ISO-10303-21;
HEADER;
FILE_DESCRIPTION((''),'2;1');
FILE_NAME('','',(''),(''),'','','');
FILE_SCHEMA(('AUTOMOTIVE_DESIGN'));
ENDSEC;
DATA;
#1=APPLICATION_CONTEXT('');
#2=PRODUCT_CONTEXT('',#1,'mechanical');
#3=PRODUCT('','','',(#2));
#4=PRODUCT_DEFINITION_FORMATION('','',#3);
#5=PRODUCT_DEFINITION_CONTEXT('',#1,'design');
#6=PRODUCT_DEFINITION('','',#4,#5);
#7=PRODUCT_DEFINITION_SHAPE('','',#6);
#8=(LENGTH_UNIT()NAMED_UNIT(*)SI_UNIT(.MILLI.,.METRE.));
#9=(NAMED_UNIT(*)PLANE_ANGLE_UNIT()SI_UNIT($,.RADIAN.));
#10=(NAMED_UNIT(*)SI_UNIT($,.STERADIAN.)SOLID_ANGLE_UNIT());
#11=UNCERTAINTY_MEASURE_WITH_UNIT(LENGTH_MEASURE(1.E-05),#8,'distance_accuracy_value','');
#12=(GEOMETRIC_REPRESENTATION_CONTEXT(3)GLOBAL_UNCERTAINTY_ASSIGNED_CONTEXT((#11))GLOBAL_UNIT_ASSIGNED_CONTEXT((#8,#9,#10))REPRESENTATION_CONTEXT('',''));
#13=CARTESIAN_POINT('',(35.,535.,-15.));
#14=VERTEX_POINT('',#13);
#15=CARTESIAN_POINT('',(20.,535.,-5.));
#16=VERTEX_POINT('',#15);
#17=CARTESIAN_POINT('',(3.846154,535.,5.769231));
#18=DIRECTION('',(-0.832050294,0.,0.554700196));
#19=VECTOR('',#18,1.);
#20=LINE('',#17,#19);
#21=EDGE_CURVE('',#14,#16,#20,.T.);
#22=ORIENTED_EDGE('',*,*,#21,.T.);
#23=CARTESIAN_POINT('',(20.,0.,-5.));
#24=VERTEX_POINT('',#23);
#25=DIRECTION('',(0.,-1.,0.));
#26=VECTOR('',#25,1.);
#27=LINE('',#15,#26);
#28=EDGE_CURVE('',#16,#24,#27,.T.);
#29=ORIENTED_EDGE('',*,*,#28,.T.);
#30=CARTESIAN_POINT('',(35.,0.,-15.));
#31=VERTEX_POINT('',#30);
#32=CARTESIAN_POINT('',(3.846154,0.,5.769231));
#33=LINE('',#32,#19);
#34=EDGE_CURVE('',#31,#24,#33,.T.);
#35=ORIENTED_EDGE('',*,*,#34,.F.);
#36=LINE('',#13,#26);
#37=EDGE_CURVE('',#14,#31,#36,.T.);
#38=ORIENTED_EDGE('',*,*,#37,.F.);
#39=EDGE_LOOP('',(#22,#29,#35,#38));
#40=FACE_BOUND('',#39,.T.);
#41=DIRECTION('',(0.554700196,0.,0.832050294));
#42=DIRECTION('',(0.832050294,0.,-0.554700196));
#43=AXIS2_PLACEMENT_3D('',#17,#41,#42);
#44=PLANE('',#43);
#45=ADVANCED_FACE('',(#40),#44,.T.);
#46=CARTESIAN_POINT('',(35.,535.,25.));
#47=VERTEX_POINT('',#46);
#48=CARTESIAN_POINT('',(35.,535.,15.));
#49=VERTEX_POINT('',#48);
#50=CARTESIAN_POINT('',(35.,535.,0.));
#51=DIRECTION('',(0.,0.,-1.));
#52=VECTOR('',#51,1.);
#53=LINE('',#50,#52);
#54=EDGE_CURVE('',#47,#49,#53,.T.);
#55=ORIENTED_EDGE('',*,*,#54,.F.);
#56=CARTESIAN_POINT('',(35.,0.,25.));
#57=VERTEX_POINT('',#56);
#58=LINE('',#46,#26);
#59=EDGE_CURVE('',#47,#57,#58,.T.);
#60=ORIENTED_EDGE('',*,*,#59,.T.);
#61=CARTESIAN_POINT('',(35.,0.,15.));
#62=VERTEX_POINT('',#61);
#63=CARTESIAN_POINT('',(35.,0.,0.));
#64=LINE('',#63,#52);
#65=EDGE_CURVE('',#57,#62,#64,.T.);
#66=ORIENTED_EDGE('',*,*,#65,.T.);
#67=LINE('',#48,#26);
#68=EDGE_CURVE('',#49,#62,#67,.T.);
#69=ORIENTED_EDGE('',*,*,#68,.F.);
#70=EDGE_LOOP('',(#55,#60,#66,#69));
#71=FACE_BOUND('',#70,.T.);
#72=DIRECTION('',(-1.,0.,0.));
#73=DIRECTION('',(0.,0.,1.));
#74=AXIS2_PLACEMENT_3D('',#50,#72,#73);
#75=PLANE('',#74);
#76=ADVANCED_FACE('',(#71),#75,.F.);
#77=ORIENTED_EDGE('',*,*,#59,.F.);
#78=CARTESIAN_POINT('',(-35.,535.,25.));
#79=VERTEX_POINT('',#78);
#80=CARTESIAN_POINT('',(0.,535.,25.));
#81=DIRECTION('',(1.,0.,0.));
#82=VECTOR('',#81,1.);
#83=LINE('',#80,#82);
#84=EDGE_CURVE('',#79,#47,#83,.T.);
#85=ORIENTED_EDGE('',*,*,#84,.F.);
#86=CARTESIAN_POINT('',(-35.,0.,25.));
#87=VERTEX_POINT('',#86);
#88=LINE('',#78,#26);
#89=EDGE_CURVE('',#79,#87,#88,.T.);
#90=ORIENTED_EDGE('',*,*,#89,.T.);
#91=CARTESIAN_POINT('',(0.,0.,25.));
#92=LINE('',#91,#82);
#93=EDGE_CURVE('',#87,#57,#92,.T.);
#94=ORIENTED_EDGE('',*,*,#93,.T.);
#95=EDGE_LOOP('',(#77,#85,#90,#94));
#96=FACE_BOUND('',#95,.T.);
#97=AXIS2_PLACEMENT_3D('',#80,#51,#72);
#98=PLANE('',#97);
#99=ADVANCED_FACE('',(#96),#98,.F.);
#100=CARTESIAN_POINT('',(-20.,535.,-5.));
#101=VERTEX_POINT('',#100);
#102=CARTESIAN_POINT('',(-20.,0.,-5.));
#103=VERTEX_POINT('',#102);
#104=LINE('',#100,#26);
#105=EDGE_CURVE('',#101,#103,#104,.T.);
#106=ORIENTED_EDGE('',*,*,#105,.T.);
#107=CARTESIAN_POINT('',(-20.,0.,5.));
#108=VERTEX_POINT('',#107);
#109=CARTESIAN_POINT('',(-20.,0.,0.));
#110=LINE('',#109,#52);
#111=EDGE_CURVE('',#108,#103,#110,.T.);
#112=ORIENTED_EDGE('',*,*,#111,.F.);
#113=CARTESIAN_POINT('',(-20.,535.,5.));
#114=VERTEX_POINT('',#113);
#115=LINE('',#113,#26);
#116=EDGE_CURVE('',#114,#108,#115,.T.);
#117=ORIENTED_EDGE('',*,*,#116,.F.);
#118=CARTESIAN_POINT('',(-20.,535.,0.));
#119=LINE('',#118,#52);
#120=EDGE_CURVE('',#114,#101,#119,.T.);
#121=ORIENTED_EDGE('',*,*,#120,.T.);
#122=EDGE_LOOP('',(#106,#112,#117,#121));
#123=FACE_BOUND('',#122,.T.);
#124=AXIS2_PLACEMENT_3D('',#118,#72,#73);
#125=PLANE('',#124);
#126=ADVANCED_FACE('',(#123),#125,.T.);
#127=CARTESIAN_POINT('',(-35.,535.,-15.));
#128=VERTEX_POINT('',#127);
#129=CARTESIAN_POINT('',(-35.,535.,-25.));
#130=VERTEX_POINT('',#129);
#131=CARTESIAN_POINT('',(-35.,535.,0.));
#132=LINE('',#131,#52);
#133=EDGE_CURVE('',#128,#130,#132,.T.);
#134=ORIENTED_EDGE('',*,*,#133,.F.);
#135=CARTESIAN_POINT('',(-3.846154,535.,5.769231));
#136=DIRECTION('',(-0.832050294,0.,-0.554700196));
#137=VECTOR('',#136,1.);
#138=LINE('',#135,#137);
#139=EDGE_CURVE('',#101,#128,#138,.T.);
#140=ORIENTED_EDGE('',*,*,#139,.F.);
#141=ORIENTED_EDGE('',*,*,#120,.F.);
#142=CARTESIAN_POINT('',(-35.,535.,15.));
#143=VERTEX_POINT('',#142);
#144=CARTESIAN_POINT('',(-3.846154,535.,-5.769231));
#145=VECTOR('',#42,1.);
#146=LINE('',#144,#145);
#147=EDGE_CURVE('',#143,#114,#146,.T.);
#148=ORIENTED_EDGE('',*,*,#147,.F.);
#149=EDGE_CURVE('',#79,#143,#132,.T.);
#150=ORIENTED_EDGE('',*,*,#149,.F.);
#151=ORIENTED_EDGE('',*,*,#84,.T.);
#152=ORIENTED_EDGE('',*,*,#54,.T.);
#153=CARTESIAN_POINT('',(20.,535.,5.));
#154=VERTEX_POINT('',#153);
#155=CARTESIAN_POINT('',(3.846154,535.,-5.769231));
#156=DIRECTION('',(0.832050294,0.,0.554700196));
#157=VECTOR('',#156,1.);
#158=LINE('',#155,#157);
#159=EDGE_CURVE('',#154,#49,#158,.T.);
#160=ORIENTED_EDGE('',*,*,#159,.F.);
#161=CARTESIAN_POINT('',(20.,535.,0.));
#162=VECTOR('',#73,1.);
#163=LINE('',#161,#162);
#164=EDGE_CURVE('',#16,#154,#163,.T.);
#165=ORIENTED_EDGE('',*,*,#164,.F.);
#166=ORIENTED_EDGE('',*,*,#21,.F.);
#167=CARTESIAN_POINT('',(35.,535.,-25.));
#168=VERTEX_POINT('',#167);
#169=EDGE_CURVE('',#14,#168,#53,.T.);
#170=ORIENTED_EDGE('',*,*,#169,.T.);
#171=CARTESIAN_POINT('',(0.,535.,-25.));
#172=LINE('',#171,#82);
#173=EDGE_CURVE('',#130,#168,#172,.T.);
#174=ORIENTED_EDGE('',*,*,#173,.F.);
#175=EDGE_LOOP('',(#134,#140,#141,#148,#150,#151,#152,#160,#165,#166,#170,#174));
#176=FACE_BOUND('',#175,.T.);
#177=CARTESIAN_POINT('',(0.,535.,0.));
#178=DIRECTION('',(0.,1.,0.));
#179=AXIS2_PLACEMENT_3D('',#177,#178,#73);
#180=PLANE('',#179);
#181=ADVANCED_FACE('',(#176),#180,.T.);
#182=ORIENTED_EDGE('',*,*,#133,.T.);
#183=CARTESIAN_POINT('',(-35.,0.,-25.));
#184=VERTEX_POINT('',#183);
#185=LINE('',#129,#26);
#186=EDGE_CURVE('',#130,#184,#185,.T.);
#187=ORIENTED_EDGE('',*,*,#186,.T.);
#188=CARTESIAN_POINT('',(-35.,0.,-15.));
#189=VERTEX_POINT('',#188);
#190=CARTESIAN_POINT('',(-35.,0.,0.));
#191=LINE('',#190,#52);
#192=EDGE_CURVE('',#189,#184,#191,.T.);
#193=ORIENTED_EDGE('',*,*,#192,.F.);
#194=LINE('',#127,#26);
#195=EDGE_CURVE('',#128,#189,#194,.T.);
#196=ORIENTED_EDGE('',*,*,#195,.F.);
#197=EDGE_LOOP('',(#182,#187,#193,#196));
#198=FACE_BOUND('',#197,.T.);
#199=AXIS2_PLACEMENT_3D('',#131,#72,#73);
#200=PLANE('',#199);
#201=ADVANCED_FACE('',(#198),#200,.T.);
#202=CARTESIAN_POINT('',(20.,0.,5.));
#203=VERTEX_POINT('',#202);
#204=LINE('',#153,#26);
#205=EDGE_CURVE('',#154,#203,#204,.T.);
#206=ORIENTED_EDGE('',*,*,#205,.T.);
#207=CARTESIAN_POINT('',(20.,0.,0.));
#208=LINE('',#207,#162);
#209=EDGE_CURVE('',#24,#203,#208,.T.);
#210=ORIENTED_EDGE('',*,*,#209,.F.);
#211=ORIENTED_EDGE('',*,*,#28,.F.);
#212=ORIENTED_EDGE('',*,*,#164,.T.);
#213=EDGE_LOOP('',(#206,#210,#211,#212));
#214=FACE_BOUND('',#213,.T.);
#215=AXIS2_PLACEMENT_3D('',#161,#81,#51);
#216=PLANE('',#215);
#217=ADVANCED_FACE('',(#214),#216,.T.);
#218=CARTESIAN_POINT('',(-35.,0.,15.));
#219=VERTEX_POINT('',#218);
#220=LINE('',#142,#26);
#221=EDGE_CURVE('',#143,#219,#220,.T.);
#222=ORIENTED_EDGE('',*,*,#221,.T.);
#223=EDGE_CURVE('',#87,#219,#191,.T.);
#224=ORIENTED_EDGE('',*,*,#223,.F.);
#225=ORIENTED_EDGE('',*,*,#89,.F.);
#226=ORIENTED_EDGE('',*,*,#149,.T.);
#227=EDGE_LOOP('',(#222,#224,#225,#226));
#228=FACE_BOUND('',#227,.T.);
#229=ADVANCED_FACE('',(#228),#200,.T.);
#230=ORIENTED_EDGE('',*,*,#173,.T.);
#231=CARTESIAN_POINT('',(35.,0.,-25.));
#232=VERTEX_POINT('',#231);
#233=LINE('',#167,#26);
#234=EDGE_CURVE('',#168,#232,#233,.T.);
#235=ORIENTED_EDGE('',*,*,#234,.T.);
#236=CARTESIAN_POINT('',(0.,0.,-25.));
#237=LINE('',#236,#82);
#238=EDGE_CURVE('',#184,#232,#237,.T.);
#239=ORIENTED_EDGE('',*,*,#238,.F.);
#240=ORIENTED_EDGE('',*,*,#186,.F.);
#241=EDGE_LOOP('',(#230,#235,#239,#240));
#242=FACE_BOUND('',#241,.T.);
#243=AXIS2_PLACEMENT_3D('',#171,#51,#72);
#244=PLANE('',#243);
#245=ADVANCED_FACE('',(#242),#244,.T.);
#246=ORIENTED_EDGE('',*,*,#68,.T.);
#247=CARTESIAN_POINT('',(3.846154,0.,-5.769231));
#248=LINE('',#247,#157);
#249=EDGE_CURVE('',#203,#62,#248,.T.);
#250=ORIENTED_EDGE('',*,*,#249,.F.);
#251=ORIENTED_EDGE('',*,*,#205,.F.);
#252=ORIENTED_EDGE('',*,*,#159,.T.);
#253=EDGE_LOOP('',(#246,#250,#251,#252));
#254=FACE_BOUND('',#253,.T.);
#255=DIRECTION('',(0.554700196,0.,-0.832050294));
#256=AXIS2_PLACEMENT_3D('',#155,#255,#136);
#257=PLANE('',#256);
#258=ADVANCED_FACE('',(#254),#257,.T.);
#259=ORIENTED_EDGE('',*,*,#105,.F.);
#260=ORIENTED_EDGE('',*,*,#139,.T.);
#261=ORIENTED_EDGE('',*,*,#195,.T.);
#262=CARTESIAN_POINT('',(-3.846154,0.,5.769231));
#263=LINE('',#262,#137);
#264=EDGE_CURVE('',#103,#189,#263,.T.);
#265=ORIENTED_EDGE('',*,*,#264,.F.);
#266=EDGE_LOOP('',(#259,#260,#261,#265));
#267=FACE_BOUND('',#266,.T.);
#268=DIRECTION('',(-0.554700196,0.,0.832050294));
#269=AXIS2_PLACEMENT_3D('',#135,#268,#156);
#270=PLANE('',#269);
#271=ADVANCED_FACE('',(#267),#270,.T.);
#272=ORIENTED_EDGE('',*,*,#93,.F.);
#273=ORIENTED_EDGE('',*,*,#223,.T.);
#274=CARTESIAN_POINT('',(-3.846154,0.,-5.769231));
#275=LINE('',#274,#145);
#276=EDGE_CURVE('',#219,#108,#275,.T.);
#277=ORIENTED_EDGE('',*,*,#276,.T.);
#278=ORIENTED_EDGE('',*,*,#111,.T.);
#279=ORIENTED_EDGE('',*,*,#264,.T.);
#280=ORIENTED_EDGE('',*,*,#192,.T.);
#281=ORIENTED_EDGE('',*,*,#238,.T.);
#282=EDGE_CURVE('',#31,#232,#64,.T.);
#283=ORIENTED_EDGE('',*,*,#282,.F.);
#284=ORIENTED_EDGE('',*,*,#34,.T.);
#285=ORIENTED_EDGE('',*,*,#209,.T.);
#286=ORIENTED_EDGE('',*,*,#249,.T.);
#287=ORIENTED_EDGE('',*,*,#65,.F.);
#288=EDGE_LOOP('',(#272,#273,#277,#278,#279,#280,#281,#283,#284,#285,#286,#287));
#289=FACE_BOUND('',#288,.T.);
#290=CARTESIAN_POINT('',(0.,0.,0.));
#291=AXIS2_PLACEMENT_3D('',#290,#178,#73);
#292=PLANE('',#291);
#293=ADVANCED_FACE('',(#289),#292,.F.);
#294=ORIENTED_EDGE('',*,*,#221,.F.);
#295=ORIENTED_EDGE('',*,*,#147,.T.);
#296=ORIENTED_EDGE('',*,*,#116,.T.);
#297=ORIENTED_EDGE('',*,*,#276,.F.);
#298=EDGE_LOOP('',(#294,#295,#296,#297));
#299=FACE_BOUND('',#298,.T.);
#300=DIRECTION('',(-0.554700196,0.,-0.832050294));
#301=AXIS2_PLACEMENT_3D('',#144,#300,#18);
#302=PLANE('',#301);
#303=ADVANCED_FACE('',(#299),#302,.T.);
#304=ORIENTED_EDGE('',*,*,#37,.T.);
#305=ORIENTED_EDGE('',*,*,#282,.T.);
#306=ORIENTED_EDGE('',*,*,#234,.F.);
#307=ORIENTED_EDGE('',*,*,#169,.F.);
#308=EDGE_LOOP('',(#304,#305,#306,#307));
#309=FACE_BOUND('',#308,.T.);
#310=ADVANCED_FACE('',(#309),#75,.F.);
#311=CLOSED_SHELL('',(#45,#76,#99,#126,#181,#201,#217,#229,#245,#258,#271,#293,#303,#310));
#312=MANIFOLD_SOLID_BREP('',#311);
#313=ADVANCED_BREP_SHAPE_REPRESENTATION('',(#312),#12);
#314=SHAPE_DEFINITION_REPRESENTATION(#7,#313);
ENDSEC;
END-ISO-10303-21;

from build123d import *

# Parameters (mm, degrees)
SALIENTE_EXTRUIR1_DEPTH = 535


with BuildPart() as part:
    # Croquis2 → Saliente-Extruir1 (new body)
    with BuildSketch(Plane(origin=(0, 0, 0), x_dir=(1, 0, 0), z_dir=(0, 1, 0))):
        Polygon((-20, -5), (-35, -15), (-35, -25), (35, -25), (35, -15), (20, -5), (20, 5), (35, 15), (35, 25), (-35, 25), (-35, 15), (-20, 5), align=None)
    extrude(amount=SALIENTE_EXTRUIR1_DEPTH)


solid = part.part
